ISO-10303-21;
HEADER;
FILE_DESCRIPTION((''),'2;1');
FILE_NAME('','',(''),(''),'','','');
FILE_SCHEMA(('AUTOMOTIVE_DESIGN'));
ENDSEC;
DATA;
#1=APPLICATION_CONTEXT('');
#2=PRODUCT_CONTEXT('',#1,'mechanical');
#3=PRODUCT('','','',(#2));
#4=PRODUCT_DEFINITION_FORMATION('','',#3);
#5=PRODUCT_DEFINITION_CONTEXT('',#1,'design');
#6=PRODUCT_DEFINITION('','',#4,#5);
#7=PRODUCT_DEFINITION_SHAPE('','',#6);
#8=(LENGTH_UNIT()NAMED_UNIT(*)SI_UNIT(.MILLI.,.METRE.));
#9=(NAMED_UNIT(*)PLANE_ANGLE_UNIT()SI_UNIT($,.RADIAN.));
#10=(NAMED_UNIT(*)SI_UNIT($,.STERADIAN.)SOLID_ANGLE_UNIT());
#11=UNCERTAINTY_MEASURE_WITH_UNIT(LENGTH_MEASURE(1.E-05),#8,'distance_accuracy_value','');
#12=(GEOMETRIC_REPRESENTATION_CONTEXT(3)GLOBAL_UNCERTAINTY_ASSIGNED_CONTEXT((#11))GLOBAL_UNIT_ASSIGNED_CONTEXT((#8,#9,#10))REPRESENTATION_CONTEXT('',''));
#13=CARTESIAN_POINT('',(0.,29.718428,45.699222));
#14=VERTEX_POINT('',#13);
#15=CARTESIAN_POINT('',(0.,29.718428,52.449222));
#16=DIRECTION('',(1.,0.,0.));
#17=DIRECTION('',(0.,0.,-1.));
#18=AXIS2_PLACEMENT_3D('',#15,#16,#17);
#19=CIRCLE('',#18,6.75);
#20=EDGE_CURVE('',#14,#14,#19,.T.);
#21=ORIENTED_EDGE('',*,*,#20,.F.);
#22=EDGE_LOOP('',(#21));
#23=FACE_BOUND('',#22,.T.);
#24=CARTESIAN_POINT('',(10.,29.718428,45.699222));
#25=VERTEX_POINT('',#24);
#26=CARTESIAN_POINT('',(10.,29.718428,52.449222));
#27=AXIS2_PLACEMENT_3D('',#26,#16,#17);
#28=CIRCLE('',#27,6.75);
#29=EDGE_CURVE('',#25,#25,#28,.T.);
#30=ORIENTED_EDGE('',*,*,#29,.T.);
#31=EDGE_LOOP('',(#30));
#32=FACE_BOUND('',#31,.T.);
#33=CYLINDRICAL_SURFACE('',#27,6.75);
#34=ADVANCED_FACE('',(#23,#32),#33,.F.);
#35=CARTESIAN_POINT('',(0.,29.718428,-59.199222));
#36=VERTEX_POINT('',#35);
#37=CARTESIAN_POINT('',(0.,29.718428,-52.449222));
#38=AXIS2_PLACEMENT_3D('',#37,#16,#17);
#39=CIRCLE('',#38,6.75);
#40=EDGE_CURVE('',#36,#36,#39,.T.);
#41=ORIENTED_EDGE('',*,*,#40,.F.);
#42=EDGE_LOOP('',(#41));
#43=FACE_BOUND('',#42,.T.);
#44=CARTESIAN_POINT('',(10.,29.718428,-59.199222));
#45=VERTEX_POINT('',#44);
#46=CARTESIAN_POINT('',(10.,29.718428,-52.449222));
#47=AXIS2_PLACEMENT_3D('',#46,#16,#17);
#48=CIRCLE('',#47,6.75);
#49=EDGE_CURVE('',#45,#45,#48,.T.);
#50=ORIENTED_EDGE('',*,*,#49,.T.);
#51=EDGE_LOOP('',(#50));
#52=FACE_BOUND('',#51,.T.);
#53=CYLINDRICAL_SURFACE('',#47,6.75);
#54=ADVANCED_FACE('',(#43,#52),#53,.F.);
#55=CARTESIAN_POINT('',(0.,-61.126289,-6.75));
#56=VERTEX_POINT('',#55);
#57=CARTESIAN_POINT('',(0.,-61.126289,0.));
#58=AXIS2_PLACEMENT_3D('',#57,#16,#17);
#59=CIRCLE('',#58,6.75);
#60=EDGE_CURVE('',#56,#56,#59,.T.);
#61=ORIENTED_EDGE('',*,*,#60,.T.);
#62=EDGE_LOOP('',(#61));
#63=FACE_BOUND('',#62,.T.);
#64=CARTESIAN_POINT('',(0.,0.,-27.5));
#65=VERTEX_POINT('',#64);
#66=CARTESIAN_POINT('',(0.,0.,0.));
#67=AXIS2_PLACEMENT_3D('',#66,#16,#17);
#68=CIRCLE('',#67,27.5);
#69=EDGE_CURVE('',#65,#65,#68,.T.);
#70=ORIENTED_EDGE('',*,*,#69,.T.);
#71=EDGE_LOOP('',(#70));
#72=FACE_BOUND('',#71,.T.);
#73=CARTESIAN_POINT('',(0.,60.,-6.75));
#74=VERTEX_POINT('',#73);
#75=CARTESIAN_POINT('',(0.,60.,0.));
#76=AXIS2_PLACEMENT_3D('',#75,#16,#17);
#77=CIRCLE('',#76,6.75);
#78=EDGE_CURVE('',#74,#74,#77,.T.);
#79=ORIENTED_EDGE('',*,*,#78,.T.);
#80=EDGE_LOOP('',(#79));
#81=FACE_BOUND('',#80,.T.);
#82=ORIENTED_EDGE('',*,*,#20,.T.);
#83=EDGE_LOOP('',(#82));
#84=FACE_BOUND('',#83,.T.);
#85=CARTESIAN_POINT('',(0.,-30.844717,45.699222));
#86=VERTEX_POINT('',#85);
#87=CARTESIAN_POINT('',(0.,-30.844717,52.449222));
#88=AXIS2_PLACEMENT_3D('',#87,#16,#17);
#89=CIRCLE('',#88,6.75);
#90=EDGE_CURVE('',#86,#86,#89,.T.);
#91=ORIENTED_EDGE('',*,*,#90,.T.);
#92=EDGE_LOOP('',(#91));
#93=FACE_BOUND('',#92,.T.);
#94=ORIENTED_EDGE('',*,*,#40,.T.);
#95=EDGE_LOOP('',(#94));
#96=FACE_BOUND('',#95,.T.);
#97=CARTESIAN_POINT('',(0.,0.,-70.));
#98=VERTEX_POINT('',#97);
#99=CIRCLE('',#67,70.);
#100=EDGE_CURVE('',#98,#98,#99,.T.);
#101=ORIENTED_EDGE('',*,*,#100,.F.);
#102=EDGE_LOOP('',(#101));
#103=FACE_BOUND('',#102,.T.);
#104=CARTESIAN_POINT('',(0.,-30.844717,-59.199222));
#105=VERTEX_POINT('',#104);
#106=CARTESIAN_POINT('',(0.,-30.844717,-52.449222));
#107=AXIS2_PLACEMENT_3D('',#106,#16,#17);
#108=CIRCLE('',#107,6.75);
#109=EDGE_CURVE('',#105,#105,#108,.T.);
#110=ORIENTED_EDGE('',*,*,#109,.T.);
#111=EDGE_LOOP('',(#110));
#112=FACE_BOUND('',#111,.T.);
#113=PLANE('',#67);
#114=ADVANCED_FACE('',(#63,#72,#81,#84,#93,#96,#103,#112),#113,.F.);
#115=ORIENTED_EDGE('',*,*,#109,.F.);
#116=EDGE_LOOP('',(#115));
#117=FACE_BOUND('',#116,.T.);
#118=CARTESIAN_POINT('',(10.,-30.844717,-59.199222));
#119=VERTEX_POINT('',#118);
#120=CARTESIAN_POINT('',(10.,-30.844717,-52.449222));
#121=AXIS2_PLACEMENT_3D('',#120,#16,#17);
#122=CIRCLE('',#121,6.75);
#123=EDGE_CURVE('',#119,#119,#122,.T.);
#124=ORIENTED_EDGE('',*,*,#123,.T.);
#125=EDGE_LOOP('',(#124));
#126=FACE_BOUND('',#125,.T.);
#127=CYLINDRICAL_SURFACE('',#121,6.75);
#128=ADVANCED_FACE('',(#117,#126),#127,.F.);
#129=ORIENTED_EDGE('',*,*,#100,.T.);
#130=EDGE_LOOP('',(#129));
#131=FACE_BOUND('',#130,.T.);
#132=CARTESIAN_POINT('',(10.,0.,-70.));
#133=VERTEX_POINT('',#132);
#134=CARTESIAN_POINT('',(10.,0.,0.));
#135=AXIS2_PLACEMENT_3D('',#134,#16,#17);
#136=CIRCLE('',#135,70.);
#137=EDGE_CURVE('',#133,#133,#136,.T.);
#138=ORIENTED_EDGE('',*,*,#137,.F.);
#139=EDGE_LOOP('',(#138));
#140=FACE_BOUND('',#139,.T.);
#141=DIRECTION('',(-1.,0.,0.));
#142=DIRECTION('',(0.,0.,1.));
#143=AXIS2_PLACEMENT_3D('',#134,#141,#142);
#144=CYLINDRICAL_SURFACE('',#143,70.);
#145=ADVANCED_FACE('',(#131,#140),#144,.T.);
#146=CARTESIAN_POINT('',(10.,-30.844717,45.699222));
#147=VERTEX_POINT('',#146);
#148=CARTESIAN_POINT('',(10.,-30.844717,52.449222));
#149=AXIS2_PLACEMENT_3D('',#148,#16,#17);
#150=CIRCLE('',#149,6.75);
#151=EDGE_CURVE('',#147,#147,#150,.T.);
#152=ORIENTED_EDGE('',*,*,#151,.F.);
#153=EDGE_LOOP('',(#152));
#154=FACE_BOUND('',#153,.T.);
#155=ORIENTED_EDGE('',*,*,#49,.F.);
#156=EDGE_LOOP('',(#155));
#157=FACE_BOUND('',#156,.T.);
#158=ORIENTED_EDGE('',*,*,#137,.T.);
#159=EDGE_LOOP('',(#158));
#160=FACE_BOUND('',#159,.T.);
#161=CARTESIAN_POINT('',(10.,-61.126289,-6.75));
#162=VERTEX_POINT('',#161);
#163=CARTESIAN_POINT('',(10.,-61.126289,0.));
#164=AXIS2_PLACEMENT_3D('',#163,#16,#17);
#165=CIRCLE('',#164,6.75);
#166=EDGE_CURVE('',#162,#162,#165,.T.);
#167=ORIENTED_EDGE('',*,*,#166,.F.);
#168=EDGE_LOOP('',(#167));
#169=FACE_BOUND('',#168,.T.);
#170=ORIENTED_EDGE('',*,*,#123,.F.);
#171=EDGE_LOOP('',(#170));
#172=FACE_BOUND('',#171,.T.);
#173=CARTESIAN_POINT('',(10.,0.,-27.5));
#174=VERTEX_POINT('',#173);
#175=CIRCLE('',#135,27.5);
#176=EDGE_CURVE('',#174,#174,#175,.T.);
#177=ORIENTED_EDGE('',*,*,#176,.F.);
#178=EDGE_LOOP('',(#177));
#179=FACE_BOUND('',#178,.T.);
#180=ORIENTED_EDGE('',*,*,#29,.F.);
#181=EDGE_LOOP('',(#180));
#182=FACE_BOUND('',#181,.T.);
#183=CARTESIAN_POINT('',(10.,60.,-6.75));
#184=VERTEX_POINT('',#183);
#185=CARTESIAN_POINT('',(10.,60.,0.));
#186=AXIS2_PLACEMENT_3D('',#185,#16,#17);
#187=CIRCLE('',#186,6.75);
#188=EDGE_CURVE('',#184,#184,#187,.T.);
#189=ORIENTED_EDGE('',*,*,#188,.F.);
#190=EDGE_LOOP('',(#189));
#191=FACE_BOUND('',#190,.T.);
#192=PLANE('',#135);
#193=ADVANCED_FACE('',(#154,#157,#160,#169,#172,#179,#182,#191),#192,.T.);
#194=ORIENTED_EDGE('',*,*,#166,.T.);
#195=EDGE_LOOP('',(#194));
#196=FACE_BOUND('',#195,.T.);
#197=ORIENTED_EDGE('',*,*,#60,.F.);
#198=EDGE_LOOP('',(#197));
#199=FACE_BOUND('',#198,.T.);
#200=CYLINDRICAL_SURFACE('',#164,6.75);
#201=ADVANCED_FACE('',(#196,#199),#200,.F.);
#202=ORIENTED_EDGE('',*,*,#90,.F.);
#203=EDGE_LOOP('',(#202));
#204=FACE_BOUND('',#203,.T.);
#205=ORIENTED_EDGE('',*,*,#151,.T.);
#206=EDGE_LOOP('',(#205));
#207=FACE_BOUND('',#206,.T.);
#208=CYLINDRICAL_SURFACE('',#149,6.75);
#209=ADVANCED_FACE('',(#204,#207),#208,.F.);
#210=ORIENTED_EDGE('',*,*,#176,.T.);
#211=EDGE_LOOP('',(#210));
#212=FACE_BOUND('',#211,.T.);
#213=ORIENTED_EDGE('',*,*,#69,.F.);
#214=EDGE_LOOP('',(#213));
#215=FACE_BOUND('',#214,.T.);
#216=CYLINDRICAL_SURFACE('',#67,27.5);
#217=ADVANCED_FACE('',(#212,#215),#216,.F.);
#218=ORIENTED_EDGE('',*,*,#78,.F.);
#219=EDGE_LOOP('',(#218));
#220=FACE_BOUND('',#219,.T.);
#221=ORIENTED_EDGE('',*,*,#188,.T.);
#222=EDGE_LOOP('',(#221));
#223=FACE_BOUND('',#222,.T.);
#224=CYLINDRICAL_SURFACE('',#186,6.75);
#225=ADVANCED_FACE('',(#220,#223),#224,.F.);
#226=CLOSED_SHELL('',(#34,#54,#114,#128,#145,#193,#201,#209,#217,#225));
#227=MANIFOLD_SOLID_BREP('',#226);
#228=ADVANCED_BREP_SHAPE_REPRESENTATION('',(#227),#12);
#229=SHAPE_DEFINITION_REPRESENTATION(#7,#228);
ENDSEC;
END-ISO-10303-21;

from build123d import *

# Parameters (mm, degrees)
CROQUIS1_R              = 70
SALIENTE_EXTRUIR1_DEPTH = 10
MATRIZC5_COUNT          = 6
CROQUIS9_R              = 27.5
CORTAR_EXTRUIR1_DEPTH   = 10


with BuildPart() as part:
    # Croquis1 → Saliente-Extruir1 (new body)
    with BuildSketch(Plane(origin=(0, 0, 0), x_dir=(0, 0, -1), z_dir=(1, 0, 0))):
        Circle(CROQUIS1_R)
    extrude(amount=SALIENTE_EXTRUIR1_DEPTH)

    # Croquis8 → Taladro de margen para M122 (revolve, cut)
    with BuildSketch(Plane(origin=(10, 60, 0), x_dir=(0, 0, -1), z_dir=(0, 1, 0))):
        Polygon((0, 0), (0, 47.555809178), (6.75, 43.5), (6.75, 0), align=None)
    taladro_de_margen_para_m122 = revolve(axis=Axis((16.35, 60, 0), (-1, 0, 0)), mode=Mode.SUBTRACT)

    # MatrizC5: Taladro de margen para M122 ×6 about axis
    matrizc5_axis = Axis((0, -0.563144546, 0), (1, 0, 0))
    for i in range(1, MATRIZC5_COUNT):
        add(taladro_de_margen_para_m122.rotate(matrizc5_axis, i * 360 / MATRIZC5_COUNT), mode=Mode.SUBTRACT)

    # Croquis9 → Cortar-Extruir1 (cut)
    with BuildSketch(Plane(origin=(10, 0, 0), x_dir=(0, 0, -1), z_dir=(1, 0, 0))):
        Circle(CROQUIS9_R)
    extrude(amount=-CORTAR_EXTRUIR1_DEPTH, mode=Mode.SUBTRACT)


solid = part.part
